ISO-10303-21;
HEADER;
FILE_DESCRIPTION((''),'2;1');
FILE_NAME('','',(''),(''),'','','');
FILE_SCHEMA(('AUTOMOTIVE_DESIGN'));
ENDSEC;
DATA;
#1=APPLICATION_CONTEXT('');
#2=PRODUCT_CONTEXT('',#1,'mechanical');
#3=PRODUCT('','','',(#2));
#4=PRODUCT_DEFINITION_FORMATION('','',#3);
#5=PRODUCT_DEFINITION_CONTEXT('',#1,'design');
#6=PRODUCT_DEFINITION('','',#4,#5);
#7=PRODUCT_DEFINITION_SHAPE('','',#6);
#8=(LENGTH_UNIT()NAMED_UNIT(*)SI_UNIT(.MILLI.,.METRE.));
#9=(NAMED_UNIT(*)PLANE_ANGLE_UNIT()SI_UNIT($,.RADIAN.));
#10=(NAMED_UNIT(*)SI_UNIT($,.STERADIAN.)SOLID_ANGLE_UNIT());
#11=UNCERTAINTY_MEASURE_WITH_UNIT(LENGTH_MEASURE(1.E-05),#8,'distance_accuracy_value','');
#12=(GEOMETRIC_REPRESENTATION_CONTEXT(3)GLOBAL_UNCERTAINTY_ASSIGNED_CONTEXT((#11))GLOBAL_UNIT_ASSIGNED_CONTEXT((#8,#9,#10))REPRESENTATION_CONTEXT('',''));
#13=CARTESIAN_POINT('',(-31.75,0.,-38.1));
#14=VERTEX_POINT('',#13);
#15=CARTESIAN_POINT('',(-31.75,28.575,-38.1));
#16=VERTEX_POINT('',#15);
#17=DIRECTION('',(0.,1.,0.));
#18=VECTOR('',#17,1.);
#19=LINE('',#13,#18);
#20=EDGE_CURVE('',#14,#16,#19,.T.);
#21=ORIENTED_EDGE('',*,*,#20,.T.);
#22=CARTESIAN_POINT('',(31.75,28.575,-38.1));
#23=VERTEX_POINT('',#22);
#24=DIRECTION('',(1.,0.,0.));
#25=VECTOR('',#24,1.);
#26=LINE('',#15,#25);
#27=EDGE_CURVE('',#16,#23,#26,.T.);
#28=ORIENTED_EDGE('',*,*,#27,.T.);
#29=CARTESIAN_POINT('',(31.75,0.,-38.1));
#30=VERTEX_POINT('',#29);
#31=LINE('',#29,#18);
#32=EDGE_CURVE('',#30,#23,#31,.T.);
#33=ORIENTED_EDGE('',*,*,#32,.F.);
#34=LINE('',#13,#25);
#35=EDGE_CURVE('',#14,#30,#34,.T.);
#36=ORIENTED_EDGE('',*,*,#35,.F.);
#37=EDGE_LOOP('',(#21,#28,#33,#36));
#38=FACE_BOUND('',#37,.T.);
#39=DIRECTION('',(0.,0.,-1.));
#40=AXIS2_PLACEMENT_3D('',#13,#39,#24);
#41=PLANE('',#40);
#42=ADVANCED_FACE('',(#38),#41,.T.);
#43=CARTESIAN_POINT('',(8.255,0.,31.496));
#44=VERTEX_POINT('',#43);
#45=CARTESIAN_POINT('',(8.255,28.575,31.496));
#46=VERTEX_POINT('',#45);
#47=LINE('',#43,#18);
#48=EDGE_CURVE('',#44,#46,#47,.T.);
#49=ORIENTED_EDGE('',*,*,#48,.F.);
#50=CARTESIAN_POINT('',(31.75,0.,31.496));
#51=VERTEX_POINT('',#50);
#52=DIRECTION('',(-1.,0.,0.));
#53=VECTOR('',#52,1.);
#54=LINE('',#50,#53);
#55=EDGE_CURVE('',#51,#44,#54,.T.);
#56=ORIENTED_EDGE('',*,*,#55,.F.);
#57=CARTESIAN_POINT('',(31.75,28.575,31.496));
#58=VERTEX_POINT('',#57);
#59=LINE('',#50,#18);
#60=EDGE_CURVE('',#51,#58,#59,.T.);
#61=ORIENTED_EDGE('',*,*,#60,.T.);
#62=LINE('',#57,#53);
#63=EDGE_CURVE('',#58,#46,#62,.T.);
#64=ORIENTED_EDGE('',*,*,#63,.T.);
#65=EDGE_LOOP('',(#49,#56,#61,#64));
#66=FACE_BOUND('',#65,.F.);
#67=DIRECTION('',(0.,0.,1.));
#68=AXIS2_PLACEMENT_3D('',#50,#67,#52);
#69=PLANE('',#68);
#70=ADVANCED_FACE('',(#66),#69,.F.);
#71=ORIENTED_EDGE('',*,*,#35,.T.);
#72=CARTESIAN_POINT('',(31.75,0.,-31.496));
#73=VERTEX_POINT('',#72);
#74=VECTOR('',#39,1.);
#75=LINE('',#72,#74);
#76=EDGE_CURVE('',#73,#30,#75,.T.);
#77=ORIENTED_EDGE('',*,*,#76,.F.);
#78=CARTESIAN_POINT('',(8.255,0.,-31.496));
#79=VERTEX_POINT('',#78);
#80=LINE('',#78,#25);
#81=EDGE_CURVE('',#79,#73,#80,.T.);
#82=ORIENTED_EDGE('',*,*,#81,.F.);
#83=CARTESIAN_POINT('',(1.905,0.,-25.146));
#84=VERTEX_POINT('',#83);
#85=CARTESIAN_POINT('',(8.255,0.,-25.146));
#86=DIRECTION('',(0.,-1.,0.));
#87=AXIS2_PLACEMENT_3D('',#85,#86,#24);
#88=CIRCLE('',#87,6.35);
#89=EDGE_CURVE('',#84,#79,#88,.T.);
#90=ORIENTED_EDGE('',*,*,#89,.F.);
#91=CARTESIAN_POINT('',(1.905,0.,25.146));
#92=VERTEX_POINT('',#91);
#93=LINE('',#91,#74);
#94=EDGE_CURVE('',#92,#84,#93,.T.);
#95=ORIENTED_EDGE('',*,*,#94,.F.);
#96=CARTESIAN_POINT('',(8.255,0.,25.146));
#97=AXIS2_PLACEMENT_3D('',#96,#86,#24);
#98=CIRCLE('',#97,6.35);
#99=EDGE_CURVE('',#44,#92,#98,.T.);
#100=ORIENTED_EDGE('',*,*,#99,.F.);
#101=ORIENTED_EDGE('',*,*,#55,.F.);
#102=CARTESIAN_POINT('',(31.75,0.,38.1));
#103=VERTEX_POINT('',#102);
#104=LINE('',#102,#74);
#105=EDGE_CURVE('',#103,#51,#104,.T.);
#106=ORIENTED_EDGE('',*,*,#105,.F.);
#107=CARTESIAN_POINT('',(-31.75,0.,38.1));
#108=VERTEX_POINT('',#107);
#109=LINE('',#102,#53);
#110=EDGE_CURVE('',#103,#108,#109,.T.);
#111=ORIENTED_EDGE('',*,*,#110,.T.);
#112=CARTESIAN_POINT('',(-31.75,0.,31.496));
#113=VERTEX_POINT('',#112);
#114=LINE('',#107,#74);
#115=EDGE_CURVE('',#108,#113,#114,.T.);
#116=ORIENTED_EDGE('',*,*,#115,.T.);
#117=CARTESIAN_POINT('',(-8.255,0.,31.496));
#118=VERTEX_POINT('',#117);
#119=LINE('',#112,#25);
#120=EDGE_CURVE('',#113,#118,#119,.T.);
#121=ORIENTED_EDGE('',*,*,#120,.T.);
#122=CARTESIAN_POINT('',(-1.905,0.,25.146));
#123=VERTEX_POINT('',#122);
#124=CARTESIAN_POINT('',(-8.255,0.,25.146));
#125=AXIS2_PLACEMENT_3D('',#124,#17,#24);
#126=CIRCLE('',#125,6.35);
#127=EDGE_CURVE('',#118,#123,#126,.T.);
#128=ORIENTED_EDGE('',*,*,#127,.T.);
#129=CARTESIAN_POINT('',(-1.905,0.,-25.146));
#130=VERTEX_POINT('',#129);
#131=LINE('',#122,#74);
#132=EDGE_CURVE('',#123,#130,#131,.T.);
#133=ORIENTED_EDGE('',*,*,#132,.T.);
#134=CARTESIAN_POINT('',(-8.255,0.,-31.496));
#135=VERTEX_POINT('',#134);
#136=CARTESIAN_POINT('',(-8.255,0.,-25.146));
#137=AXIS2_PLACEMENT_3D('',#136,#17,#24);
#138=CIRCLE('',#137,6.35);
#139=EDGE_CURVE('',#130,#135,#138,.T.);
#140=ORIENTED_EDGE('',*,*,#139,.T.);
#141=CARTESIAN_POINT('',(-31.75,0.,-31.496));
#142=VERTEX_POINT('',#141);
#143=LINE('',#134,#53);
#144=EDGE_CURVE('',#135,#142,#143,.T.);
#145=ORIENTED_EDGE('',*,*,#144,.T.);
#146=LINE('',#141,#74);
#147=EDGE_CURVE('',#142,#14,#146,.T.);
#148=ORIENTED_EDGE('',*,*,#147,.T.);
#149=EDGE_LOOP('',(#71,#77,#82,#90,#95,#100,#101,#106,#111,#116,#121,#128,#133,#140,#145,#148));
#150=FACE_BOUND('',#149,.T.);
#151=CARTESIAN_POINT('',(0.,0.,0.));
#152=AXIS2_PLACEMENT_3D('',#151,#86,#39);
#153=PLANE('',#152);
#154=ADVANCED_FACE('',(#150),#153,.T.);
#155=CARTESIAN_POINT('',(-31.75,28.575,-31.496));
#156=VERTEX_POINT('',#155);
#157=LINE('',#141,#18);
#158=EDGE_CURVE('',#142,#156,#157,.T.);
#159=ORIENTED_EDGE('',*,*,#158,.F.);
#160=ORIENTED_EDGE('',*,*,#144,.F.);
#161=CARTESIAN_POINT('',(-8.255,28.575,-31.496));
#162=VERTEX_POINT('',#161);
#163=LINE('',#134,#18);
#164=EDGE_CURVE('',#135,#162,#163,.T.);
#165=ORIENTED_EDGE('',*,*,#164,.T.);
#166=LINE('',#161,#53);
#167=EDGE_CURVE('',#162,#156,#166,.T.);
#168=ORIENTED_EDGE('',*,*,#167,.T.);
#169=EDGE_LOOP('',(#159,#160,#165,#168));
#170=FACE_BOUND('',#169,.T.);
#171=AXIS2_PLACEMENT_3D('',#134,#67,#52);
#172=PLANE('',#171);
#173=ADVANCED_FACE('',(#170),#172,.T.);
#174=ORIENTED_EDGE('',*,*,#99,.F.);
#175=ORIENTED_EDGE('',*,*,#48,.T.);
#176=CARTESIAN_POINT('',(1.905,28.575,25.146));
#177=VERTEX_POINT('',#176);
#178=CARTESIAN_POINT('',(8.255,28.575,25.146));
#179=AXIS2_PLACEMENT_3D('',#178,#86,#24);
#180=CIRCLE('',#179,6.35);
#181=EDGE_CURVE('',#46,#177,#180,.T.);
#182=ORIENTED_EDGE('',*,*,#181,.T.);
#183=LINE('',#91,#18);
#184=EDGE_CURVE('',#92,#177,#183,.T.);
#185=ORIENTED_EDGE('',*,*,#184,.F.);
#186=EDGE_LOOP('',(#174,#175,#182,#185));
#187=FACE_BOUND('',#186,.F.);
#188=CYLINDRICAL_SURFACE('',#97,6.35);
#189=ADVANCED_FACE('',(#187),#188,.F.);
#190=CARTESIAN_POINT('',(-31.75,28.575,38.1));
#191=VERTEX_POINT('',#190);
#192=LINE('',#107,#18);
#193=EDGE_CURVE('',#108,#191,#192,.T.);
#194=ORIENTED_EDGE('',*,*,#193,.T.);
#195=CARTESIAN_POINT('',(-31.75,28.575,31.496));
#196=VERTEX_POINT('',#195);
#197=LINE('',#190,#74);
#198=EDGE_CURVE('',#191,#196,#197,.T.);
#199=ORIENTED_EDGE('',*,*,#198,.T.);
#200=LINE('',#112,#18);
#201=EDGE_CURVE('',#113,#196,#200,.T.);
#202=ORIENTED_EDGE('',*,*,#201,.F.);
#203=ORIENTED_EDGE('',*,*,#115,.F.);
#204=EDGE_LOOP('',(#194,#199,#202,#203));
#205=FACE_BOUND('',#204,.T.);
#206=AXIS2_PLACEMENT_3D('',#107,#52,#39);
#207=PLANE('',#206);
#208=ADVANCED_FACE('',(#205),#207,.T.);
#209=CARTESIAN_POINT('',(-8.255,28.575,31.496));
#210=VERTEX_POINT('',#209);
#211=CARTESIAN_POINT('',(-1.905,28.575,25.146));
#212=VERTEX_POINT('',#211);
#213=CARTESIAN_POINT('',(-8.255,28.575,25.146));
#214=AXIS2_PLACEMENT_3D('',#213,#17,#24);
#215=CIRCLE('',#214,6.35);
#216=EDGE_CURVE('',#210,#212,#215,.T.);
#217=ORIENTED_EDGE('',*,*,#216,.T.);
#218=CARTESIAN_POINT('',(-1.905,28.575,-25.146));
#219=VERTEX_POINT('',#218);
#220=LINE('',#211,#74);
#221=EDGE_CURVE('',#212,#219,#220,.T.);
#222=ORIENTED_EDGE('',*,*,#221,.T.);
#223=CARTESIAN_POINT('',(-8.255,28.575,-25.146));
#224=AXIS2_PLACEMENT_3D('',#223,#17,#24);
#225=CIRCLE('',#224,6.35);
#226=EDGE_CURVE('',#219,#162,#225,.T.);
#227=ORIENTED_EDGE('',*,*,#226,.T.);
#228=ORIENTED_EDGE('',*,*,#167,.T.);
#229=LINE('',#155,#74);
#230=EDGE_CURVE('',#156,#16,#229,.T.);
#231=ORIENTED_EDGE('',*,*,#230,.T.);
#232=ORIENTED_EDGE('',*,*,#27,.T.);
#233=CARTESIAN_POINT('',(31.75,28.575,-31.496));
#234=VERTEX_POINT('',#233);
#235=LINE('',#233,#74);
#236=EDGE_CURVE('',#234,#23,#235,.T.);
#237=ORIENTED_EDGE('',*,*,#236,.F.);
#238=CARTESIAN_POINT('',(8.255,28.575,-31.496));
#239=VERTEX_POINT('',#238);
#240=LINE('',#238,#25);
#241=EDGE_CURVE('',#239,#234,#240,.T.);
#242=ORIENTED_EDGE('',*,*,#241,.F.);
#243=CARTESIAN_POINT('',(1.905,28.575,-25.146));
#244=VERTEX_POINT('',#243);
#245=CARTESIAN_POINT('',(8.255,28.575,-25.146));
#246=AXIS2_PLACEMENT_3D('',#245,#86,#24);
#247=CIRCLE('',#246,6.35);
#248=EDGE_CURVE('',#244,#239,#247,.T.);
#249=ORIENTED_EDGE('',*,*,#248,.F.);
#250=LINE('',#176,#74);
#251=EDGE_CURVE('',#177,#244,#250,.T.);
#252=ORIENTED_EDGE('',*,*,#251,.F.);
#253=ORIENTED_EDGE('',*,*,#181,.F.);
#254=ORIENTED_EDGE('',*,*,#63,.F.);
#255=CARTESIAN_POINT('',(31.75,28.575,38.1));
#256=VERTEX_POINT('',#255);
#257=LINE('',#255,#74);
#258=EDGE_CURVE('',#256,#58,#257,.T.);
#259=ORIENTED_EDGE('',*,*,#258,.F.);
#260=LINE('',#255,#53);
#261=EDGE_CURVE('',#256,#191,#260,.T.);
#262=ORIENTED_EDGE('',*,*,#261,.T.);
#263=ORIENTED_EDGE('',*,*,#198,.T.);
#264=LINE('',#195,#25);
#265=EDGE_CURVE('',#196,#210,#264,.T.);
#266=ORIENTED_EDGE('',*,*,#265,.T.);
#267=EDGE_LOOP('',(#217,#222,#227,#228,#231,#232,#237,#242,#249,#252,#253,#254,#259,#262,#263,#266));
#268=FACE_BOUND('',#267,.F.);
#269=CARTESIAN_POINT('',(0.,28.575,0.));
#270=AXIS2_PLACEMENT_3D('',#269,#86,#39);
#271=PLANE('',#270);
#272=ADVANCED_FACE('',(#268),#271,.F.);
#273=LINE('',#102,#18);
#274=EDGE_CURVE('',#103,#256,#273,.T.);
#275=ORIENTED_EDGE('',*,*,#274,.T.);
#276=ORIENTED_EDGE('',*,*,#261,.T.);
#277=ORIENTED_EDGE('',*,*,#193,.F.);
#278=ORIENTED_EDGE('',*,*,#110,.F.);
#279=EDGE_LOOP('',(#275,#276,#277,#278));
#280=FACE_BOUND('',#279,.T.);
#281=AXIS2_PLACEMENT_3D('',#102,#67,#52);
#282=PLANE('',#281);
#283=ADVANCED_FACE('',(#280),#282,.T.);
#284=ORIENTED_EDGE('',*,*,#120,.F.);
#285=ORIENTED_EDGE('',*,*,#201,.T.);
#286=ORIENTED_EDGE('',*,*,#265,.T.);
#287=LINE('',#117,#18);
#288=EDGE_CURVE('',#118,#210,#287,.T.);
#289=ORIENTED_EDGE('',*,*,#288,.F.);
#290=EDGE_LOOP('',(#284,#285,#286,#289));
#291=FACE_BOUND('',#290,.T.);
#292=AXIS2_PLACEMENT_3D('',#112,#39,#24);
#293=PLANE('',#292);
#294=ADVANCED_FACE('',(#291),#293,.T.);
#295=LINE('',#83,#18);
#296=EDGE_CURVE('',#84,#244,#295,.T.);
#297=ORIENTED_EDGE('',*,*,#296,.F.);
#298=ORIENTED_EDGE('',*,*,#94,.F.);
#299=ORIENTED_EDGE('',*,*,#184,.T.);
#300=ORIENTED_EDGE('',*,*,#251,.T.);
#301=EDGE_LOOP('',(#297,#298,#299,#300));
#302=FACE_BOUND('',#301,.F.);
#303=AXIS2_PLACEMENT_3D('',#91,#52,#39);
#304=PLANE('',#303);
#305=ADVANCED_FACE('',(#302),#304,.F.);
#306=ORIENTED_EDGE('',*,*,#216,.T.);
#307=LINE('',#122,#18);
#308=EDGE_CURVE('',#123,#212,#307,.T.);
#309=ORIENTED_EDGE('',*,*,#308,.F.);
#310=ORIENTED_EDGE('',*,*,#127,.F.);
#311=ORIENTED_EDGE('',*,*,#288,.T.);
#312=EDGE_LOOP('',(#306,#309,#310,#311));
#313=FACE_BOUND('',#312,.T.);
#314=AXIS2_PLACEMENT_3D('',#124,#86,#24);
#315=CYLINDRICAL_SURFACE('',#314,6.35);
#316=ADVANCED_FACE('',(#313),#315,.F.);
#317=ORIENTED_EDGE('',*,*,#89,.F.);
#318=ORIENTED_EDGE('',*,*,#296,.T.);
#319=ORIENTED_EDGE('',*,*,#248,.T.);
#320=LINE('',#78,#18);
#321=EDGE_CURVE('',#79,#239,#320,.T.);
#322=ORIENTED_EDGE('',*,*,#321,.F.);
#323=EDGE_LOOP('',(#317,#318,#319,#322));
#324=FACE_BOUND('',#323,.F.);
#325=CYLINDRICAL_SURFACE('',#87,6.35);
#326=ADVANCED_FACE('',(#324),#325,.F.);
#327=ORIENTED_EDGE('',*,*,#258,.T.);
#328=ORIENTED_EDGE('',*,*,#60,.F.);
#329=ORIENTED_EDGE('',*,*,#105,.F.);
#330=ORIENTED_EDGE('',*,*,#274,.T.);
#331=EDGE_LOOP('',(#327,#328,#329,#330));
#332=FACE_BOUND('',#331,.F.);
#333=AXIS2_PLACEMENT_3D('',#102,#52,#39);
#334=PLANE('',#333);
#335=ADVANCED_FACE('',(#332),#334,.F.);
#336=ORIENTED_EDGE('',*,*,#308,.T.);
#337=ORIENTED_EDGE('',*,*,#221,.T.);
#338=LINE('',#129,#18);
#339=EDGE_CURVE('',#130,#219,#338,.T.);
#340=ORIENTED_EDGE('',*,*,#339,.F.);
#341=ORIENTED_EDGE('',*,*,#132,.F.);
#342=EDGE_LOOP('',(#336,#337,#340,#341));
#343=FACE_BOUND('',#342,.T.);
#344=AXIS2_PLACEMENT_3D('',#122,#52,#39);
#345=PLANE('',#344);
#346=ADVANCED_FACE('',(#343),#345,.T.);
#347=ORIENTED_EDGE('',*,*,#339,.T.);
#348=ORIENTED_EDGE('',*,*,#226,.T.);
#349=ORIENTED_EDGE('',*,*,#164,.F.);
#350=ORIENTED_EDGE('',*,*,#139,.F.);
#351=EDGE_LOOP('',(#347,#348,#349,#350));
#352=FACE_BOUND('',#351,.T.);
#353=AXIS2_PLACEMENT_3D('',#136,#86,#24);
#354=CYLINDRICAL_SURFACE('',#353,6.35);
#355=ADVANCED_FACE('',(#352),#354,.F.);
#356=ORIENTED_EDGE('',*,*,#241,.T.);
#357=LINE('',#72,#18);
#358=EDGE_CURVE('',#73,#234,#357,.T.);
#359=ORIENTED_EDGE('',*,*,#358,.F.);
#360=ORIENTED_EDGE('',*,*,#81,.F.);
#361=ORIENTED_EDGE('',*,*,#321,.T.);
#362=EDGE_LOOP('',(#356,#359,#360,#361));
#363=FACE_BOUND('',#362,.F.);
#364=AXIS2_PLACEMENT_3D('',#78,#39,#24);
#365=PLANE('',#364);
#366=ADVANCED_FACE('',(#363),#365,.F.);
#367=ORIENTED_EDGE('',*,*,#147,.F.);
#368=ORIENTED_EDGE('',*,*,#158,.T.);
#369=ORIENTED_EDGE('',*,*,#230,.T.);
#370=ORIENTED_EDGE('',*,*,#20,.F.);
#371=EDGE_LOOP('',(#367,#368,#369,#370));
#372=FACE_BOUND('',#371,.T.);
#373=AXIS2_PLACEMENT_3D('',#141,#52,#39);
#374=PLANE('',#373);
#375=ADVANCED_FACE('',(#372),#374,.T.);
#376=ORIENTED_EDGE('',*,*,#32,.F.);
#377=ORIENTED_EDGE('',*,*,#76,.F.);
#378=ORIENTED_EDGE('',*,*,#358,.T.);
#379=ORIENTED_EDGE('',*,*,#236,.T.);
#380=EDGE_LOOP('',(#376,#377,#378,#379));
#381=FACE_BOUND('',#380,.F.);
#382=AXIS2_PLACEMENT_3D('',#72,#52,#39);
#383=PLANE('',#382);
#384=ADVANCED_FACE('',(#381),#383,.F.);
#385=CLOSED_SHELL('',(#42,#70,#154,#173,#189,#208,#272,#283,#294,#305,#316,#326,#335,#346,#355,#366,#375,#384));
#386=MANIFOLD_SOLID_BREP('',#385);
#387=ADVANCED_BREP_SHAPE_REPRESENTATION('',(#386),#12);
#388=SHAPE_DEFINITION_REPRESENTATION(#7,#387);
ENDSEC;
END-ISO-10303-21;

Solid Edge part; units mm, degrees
sketch "Sketch1" plane through (0, 0, 0) normal (0, -1, 0) x (1, 0, 0)
  line L0 (31.75, 38.1) -> (-31.75, 38.1)
  line L1 (-31.75, 38.1) -> (-31.75, 31.496)
  line L2 (-31.75, 31.496) -> (-8.255, 31.496)
  arc A0 (-8.255, 31.496) -> (-1.905, 25.146) centre (-8.255, 25.146) cw
  line L3 (-1.905, 25.146) -> (-1.905, -25.146)
  arc A1 (-1.905, -25.146) -> (-8.255, -31.496) centre (-8.255, -25.146) cw
  line L4 (-8.255, -31.496) -> (-31.75, -31.496)
  line L5 (-31.75, -31.496) -> (-31.75, -38.1)
  line L6 (-31.75, -38.1) -> (31.75, -38.1)
  line L7 (31.75, -31.496) -> (31.75, -38.1)
  line L8 (8.255, -31.496) -> (31.75, -31.496)
  arc A2 (1.905, -25.146) -> (8.255, -31.496) centre (8.255, -25.146) ccw
  line L9 (1.905, 25.146) -> (1.905, -25.146)
  arc A3 (8.255, 31.496) -> (1.905, 25.146) centre (8.255, 25.146) ccw
  line L10 (31.75, 31.496) -> (8.255, 31.496)
  line L11 (31.75, 38.1) -> (31.75, 31.496)
  dimension "D1" = 6.604
  dimension "D2" = 76.2
  dimension "D3" = 63.5
extrude "Protrusion1" add sketch "Sketch1" against normal blind 28.575
